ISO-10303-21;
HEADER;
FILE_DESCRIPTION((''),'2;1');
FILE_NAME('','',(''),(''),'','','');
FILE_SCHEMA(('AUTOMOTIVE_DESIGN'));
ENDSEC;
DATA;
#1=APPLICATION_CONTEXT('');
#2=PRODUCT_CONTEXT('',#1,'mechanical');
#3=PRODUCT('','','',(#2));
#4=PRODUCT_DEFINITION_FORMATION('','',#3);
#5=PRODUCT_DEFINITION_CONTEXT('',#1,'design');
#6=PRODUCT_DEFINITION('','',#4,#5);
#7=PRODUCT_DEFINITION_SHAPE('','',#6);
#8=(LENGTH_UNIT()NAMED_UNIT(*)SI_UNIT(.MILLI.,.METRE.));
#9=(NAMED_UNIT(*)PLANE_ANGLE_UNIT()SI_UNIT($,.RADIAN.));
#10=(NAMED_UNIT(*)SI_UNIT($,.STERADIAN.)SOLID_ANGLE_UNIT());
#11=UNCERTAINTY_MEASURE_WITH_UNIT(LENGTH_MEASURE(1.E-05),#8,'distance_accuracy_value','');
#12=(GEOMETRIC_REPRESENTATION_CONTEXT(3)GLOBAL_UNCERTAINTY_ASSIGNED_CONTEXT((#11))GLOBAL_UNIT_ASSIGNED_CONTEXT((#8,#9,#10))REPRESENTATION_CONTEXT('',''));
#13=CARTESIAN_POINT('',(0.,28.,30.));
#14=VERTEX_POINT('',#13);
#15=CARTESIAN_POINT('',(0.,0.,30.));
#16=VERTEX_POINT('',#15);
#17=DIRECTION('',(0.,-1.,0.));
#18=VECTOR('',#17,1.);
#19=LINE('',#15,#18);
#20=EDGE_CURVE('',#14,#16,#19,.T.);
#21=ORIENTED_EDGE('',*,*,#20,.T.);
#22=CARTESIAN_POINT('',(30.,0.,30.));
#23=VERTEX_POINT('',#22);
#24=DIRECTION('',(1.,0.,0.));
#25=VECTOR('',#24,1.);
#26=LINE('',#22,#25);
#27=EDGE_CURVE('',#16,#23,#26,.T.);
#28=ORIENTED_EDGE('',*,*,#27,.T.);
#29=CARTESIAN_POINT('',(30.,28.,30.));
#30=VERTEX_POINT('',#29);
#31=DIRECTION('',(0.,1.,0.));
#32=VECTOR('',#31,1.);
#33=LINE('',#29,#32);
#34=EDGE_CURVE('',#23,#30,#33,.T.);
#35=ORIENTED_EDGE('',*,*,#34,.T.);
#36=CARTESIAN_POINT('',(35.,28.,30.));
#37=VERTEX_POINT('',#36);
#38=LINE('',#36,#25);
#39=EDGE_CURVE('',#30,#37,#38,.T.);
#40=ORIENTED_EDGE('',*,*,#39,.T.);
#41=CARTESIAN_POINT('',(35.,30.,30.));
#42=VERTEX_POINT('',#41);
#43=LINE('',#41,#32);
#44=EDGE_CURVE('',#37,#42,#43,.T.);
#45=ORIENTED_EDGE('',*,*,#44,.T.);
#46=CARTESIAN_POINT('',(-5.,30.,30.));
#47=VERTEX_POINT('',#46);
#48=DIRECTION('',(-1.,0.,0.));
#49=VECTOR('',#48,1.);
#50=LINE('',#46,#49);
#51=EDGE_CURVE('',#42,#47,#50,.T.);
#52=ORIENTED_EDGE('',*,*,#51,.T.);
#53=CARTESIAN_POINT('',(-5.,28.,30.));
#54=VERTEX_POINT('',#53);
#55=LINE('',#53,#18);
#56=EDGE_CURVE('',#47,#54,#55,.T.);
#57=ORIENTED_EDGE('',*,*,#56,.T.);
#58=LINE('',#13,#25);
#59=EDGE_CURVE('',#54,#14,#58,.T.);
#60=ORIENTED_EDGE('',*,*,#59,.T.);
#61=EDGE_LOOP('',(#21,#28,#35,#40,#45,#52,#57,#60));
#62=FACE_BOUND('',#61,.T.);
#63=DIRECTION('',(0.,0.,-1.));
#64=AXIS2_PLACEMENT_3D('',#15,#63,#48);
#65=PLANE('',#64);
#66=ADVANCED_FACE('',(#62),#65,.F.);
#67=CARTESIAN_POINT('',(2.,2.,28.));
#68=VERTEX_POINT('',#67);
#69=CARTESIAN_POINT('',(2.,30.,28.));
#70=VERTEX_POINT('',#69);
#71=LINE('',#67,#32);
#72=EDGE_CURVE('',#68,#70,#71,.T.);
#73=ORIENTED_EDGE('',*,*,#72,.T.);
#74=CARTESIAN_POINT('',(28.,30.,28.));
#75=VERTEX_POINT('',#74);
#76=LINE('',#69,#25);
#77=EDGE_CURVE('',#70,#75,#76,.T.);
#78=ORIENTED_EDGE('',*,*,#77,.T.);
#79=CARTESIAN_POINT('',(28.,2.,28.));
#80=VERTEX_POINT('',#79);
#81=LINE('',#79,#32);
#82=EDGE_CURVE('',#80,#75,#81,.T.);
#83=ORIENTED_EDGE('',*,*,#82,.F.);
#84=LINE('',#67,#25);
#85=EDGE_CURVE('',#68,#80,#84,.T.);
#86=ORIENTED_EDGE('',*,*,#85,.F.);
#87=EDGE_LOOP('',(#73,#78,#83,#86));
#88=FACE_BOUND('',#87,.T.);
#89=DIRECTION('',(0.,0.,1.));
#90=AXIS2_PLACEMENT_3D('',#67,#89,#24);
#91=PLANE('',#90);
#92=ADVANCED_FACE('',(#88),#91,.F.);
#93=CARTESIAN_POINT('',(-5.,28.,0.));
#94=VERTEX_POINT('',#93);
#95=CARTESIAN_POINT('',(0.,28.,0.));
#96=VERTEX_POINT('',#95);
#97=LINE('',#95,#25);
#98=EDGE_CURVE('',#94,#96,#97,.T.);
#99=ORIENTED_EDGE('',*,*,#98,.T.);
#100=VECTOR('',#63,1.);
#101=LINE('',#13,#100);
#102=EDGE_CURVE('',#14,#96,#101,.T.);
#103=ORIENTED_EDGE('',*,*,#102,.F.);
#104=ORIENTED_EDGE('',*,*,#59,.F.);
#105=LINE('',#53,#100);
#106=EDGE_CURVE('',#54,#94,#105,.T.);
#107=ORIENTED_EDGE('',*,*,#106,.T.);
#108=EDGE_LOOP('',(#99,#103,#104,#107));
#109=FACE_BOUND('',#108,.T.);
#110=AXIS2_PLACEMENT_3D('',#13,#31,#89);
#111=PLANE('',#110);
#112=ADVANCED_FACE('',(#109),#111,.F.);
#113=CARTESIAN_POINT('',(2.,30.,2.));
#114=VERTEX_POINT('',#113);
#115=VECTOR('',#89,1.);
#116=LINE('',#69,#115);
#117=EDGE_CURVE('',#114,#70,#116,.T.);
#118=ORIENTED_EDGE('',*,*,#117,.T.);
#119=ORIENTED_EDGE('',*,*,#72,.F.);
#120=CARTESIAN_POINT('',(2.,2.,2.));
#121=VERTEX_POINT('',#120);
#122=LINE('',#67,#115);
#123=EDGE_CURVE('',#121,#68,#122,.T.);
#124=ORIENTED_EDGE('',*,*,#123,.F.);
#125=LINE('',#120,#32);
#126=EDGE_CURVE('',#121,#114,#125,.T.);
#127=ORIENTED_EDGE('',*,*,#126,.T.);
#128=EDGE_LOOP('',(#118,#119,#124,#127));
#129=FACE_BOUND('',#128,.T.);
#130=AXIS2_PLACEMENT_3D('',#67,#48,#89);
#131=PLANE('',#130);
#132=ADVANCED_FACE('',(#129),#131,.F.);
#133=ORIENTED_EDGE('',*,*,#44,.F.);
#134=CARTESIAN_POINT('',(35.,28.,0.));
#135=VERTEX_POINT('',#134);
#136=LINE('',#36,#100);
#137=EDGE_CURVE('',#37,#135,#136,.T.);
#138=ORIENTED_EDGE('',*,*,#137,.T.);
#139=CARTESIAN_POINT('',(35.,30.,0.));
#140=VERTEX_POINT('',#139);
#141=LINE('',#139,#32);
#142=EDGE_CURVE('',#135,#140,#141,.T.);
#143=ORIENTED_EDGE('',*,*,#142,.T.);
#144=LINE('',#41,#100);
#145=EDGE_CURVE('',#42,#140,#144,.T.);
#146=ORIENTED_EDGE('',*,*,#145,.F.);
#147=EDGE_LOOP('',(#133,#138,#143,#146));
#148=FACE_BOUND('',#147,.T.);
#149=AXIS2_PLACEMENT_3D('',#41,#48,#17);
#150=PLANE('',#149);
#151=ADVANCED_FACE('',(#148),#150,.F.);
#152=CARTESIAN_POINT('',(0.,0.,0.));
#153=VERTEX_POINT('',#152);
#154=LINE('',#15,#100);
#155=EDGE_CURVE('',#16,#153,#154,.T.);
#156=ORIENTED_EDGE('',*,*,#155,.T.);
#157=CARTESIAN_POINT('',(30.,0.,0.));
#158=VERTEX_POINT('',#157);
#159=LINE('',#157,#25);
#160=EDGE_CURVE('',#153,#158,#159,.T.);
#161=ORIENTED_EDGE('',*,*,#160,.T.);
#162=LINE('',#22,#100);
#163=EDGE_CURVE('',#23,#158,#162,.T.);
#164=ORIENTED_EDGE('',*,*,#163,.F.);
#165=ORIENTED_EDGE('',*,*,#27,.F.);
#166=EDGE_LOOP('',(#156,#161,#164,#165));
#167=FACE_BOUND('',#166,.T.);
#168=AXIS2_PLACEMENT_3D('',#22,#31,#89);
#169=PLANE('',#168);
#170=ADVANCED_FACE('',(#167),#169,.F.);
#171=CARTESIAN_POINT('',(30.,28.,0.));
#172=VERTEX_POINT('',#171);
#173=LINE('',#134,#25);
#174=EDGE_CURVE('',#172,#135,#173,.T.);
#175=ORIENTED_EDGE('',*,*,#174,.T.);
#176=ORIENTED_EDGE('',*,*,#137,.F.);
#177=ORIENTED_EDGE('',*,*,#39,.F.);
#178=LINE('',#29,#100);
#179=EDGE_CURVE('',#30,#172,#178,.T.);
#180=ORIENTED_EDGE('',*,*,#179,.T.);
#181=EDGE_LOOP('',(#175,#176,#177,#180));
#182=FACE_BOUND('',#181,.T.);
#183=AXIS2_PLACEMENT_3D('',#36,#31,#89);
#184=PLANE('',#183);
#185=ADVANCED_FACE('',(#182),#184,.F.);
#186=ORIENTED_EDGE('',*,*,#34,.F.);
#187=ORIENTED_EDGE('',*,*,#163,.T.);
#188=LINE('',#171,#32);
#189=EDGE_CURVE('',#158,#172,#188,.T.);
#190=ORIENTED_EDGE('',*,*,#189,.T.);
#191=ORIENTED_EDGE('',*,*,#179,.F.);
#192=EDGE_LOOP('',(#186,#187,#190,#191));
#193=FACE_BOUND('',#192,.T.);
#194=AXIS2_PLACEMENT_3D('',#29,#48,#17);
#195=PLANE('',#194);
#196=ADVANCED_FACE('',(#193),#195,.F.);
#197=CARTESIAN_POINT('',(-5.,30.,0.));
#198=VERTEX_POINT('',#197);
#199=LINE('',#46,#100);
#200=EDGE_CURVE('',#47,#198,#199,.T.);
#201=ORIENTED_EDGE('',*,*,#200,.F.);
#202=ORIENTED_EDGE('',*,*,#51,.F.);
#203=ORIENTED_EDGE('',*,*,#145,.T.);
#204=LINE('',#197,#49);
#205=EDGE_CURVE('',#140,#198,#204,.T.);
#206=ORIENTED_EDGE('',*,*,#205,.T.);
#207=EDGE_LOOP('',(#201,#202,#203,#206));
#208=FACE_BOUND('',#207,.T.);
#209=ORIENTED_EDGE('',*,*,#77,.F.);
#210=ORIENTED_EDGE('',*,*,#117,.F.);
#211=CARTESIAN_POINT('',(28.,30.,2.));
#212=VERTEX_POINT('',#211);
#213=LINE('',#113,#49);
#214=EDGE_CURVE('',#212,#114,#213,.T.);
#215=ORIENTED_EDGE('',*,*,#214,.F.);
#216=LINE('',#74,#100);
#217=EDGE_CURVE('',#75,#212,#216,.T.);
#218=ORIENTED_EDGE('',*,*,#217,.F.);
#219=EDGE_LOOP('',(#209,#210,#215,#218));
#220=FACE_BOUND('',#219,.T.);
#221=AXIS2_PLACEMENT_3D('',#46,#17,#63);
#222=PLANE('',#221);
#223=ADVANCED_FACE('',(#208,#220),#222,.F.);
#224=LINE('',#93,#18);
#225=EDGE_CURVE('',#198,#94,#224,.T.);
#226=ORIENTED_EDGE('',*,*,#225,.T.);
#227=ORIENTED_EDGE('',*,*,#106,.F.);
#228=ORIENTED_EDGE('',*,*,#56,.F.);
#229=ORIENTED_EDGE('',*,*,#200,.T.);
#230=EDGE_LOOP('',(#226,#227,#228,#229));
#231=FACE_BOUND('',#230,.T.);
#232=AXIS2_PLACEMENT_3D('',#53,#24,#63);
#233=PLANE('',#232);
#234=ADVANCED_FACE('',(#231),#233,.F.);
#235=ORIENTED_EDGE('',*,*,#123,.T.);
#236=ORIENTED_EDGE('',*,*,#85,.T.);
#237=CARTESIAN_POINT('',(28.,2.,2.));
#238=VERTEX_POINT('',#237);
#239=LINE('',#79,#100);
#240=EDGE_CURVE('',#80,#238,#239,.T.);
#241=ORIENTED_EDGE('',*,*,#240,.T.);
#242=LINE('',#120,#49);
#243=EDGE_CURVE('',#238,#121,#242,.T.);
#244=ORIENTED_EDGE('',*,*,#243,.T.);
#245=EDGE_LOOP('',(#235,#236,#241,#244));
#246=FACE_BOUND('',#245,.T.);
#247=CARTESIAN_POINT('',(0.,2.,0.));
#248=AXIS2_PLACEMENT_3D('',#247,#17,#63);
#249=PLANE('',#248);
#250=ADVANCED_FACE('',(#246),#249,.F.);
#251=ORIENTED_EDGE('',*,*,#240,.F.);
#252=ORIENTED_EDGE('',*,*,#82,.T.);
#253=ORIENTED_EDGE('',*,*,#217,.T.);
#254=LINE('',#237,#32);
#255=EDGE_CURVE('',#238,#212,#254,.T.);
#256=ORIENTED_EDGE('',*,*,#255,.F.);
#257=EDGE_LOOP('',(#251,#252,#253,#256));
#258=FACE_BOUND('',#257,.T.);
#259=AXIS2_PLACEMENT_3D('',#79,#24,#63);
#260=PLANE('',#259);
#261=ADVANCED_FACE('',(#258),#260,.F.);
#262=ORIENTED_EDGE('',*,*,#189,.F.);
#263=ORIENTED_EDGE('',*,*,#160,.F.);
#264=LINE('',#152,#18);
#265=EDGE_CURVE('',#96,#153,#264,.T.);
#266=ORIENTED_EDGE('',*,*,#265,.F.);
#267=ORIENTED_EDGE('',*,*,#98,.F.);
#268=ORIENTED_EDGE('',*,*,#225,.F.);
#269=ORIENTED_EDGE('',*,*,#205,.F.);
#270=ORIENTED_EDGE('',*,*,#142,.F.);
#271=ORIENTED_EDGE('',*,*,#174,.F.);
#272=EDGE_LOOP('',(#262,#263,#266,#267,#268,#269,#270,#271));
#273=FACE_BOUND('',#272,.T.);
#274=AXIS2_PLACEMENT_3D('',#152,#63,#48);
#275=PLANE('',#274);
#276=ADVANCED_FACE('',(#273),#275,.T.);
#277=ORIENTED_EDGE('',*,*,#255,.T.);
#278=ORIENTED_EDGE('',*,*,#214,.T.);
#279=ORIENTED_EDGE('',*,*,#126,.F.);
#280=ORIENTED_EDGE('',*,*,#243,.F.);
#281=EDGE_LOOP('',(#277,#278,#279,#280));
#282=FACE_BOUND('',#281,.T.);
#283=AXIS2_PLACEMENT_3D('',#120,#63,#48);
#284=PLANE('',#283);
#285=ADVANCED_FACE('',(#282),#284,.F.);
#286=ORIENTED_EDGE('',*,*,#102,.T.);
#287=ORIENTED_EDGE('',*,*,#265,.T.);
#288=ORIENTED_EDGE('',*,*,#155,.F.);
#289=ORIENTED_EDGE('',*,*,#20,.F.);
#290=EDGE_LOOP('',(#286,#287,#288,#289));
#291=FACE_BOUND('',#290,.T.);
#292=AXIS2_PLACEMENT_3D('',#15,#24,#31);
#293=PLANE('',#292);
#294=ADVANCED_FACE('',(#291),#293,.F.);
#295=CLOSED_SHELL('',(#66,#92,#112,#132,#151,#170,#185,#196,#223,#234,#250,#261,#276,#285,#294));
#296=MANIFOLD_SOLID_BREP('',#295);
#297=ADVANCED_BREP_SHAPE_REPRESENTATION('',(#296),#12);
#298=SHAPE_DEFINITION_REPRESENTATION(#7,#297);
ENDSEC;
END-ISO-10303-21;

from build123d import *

# Parameters (mm, degrees)
P_IDAT_VYSUNUT_M1_DEPTH  = 30
SKICA2_W                 = 26
SKICA2_H                 = 26
ODEBRAT_VYSUNUT_M1_DEPTH = 28


with BuildPart() as part:
    # Skica1 → Přidat vysunutím1 (new body)
    with BuildSketch(Plane.XY):
        Polygon((0, 0), (0, 28), (-5, 28), (-5, 30), (35, 30), (35, 28), (30, 28), (30, 0), align=None)
    extrude(amount=P_IDAT_VYSUNUT_M1_DEPTH)

    # Skica2 → Odebrat vysunutím1 (cut)
    with BuildSketch(Plane(origin=(0, 30, 0), x_dir=(1, 0, 0), z_dir=(0, 1, 0))):
        with Locations((15, -15)):
            Rectangle(SKICA2_W, SKICA2_H)
    extrude(amount=-ODEBRAT_VYSUNUT_M1_DEPTH, mode=Mode.SUBTRACT)


solid = part.part
